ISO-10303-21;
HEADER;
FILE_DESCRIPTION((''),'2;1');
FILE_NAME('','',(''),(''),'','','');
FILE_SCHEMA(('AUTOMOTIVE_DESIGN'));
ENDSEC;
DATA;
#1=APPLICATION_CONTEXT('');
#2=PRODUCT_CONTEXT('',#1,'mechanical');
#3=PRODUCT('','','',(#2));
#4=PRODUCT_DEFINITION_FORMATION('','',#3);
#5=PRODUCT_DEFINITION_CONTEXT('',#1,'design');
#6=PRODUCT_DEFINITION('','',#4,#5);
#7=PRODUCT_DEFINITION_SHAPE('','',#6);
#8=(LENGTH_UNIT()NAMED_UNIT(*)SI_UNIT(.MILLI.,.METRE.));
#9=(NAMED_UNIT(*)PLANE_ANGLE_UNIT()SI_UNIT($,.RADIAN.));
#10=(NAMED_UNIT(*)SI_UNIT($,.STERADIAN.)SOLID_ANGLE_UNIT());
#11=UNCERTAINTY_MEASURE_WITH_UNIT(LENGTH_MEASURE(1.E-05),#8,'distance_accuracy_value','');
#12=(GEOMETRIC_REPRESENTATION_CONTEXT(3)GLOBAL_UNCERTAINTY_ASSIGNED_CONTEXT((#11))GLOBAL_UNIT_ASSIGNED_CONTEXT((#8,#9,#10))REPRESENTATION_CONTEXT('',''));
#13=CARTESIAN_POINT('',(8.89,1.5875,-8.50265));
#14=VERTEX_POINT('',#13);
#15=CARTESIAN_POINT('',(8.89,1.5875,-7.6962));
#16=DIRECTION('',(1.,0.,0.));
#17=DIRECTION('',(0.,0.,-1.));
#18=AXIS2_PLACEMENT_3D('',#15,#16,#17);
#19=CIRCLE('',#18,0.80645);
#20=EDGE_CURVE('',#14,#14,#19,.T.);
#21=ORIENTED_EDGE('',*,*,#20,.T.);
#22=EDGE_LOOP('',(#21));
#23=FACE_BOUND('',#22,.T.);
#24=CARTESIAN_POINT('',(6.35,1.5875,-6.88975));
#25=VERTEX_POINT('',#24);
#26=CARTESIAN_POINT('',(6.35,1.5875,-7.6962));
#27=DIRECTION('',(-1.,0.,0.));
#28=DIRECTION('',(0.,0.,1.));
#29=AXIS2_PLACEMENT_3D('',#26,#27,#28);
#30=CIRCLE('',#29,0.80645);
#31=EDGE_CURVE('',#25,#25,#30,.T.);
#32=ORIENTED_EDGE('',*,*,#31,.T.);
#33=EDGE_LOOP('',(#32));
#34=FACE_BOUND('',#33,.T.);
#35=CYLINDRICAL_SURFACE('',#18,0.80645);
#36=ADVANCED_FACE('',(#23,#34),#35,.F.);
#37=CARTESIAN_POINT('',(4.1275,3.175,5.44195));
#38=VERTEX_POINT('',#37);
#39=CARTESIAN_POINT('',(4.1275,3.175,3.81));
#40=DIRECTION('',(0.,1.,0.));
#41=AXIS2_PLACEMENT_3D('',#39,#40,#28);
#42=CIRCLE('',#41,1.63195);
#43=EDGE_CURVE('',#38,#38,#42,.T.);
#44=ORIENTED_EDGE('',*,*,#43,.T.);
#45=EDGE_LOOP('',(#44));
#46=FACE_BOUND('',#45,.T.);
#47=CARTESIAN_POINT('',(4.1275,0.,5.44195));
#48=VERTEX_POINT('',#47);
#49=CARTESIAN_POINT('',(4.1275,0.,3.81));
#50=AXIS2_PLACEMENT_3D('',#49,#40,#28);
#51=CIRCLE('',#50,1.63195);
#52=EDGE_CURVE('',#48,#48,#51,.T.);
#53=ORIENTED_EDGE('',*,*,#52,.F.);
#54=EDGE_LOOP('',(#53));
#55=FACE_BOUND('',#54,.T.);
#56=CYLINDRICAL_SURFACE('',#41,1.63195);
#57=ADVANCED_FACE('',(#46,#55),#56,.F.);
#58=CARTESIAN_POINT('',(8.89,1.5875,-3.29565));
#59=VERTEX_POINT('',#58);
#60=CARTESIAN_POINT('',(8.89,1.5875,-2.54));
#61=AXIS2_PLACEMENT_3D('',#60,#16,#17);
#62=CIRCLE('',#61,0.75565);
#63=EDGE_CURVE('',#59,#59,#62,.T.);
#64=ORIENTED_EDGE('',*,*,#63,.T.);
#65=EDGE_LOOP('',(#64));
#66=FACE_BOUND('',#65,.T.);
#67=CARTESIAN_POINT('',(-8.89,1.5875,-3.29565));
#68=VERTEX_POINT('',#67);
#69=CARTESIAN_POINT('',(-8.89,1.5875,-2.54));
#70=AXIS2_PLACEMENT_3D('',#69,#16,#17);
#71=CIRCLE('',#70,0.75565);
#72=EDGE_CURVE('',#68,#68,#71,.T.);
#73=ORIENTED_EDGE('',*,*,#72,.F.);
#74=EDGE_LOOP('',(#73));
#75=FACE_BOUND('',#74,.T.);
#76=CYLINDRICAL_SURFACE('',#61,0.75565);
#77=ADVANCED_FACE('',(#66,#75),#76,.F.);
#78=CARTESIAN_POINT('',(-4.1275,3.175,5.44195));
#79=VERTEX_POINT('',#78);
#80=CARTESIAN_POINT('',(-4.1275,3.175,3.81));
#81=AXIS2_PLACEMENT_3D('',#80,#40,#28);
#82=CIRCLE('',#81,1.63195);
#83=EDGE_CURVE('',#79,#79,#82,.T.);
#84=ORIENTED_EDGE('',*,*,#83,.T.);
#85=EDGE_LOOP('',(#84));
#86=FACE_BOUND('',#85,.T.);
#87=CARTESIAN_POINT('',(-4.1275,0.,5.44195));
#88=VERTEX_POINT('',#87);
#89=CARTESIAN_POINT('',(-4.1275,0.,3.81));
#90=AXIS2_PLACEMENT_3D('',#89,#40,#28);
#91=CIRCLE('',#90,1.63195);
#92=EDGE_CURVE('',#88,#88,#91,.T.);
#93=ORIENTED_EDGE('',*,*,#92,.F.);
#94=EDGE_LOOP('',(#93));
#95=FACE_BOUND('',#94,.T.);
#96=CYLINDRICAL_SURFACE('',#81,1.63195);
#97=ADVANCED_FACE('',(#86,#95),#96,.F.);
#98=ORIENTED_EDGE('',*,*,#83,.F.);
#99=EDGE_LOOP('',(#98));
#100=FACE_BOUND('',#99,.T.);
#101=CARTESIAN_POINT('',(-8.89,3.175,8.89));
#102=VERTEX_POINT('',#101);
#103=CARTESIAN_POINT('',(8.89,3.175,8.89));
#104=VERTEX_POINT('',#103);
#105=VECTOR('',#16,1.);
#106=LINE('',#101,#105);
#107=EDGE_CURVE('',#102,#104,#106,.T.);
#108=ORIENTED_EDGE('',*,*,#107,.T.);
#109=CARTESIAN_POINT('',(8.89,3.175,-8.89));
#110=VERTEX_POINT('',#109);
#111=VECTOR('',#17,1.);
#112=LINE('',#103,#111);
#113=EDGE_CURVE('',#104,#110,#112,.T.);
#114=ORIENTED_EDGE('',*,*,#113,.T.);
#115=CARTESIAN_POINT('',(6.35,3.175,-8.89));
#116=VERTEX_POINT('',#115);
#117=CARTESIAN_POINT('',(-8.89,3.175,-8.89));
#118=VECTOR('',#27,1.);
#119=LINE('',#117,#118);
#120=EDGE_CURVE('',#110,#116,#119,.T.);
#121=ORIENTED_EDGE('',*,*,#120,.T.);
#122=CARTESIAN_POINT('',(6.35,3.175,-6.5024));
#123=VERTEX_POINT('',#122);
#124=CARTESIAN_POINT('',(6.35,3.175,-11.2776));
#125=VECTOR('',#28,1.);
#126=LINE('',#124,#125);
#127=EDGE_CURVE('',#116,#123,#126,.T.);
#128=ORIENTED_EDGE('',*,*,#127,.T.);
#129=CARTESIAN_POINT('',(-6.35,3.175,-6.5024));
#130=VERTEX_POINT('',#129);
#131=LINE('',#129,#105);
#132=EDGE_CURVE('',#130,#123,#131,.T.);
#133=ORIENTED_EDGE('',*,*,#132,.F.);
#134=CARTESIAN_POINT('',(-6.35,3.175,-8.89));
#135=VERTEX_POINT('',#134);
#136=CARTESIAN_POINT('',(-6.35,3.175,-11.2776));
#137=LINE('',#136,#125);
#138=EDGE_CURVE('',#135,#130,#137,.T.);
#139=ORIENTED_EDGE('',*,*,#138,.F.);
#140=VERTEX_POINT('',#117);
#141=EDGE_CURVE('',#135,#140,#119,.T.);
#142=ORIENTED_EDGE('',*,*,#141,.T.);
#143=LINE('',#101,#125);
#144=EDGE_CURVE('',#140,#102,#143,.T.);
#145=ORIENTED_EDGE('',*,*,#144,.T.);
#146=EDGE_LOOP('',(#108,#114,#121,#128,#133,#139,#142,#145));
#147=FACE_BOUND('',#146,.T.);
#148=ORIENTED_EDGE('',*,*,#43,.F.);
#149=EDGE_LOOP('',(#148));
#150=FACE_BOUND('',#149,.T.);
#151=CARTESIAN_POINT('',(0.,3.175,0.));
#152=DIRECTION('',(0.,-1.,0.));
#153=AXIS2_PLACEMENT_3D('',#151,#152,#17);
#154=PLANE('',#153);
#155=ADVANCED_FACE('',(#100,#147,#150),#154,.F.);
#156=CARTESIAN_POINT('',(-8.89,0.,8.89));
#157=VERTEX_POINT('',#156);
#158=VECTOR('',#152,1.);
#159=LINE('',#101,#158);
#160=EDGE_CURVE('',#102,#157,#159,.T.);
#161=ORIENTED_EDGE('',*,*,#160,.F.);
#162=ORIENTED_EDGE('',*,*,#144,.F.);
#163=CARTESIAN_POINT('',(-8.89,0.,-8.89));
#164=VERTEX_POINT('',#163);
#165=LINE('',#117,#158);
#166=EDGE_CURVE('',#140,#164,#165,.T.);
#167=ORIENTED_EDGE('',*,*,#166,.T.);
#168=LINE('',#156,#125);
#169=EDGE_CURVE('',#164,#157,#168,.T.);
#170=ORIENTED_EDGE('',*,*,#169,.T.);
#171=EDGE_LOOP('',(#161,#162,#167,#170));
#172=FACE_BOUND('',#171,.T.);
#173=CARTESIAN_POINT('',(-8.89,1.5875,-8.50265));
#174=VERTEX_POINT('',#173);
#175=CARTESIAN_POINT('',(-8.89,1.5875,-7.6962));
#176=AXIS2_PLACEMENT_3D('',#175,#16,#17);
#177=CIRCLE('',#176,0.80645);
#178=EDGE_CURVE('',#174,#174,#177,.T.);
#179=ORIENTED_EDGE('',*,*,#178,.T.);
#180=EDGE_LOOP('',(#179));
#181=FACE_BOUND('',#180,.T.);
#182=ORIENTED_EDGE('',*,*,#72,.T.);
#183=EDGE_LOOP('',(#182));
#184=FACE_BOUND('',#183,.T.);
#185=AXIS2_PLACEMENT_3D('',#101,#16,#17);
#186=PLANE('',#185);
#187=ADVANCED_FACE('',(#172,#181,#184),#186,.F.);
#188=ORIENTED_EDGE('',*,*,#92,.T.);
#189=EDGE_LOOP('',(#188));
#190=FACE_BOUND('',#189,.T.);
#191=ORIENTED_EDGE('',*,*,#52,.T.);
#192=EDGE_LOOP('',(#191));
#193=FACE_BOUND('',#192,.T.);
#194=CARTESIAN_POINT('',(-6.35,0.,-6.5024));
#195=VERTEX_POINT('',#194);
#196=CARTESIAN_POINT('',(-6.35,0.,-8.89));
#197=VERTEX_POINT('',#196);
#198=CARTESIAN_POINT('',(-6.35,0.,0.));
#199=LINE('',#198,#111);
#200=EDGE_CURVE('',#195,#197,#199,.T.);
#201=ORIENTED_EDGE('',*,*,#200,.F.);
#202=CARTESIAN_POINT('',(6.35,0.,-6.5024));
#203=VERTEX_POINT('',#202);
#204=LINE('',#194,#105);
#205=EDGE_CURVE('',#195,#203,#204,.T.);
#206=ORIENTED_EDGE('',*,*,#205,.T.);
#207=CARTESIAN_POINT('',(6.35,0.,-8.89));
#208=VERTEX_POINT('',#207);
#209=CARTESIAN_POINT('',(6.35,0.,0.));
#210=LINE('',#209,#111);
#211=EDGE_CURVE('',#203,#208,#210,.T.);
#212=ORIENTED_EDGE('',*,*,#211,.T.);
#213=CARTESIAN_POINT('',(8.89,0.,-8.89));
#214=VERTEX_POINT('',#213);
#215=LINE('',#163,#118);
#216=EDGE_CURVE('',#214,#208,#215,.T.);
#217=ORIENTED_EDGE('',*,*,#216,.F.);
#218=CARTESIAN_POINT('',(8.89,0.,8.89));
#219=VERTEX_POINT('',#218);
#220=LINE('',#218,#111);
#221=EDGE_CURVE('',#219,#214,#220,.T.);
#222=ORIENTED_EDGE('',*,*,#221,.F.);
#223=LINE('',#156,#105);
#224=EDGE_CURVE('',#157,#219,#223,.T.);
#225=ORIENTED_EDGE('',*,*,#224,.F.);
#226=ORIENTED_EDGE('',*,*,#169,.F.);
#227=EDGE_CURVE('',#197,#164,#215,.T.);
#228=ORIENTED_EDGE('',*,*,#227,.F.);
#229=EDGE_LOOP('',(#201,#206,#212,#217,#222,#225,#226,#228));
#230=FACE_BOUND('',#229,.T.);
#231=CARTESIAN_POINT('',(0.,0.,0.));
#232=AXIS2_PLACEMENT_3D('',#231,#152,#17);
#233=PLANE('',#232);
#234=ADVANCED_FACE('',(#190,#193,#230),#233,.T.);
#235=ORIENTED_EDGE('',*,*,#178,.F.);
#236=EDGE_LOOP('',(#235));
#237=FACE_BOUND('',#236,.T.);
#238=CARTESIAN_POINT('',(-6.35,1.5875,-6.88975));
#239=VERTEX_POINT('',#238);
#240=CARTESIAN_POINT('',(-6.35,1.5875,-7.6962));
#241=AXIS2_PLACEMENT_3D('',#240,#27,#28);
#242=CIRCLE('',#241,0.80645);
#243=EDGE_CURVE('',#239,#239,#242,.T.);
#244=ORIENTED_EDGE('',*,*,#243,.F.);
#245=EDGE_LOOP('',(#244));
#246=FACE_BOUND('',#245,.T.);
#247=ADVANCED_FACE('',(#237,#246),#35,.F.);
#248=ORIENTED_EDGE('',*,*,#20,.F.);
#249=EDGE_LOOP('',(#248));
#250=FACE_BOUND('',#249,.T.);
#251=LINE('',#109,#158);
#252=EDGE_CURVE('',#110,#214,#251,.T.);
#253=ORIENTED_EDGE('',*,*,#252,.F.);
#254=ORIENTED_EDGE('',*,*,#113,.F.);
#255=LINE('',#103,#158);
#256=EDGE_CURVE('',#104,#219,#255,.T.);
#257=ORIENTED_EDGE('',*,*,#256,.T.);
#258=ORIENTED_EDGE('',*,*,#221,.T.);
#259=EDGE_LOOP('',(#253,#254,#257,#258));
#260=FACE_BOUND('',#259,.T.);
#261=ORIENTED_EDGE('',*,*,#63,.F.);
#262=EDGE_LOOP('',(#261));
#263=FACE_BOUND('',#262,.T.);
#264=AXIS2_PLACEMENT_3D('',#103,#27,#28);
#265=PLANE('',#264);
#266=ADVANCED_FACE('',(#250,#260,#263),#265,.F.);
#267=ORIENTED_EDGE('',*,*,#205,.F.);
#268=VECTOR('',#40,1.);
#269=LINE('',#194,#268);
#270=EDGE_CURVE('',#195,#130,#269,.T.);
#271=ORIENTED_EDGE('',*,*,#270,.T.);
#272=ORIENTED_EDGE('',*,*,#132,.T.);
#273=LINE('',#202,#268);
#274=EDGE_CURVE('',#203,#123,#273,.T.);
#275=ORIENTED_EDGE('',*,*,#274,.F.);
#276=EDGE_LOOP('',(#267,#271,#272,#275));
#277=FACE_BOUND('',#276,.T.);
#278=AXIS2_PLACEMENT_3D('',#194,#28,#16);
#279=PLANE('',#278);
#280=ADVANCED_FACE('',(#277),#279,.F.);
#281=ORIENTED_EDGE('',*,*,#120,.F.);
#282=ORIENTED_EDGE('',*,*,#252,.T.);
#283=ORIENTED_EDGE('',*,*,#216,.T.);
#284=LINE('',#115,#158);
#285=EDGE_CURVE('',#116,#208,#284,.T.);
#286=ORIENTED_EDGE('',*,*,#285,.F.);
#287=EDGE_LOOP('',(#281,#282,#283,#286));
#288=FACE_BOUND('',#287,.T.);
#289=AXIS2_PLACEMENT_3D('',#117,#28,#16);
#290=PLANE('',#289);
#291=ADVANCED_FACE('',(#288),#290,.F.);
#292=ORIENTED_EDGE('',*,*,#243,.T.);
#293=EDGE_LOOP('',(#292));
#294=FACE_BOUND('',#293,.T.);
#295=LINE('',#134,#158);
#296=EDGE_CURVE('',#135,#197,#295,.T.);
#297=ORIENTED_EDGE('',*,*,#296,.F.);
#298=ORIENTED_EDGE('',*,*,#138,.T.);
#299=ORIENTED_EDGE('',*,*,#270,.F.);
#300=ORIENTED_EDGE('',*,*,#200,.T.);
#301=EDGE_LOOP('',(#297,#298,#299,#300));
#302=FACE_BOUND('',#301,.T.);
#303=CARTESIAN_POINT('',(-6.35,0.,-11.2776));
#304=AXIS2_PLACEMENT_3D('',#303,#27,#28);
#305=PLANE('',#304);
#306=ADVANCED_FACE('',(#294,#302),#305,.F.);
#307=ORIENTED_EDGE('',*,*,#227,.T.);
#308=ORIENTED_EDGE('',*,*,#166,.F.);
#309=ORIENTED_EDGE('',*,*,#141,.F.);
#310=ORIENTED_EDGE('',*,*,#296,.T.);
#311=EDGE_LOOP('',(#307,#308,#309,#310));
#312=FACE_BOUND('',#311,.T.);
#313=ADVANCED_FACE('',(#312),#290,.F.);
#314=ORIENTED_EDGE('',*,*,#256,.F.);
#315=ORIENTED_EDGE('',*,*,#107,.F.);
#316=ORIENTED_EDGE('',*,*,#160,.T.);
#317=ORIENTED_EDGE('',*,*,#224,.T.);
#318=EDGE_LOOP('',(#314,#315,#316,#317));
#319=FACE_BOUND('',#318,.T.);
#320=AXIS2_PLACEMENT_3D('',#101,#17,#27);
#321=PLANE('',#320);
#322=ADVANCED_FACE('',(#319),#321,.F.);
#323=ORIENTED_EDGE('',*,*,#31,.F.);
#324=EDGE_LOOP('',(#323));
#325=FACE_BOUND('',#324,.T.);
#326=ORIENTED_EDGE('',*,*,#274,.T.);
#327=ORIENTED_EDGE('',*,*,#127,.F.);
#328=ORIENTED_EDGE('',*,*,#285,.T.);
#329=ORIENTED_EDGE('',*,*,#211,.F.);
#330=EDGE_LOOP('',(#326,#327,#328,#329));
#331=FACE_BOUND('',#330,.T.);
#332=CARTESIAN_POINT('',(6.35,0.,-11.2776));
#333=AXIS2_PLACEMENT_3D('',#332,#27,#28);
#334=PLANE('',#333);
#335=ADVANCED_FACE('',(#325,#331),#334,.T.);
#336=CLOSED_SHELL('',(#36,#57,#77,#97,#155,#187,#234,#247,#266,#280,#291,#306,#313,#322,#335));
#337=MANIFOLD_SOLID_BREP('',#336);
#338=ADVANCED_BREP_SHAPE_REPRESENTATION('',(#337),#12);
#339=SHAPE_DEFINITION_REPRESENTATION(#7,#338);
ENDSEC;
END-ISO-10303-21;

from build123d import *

# Parameters (mm, degrees)
SKETCH1_W             = 17.78
SKETCH1_H             = 17.78
BOSS_EXTRUDE1_DEPTH   = 3.175
SKETCH2_W             = 12.7
SKETCH2_H             = 4.7752
CUT_EXTRUDE1_DEPTH    = 13.967066939
F_4_CLEARANCE_HOLE1_D = 3.2639
F_0_CLEARANCE_HOLE1_D = 1.6129
F_1_72_TAPPED_HOLE1_D = 1.5113


with BuildPart() as part:
    # Sketch1 → Boss-Extrude1 (new body)
    with BuildSketch(Plane(origin=(0, 0, 0), x_dir=(1, 0, 0), z_dir=(0, 1, 0))):
        Rectangle(SKETCH1_W, SKETCH1_H)
    extrude(amount=BOSS_EXTRUDE1_DEPTH)

    # Sketch2 → Cut-Extrude1 (cut, through all)
    with BuildSketch(Plane(origin=(0, 3.175, 0), x_dir=(1, 0, 0), z_dir=(0, 1, 0))):
        with Locations((0, 8.89)):
            Rectangle(SKETCH2_W, SKETCH2_H)
    extrude(amount=-CUT_EXTRUDE1_DEPTH, mode=Mode.SUBTRACT)

    # #4 Clearance Hole1 (through all)
    with Locations(Plane(origin=(0, 3.175, 0), x_dir=(1, 0, 0), z_dir=(0, 1, 0))):
        with Locations((4.1275, -3.81), (-4.1275, -3.81)):
            Hole(F_4_CLEARANCE_HOLE1_D / 2)

    # #0 Clearance Hole1 (through all)
    with Locations(Plane(origin=(8.89, 0, 0), x_dir=(0, 0, -1), z_dir=(1, 0, 0))):
        with Locations((7.6962, 1.5875)):
            Hole(F_0_CLEARANCE_HOLE1_D / 2)

    # #1-72 Tapped Hole1 (through all)
    with Locations(Plane(origin=(8.89, 0, 0), x_dir=(0, 0, -1), z_dir=(1, 0, 0))):
        with Locations((2.54, 1.5875)):
            Hole(F_1_72_TAPPED_HOLE1_D / 2)


solid = part.part
